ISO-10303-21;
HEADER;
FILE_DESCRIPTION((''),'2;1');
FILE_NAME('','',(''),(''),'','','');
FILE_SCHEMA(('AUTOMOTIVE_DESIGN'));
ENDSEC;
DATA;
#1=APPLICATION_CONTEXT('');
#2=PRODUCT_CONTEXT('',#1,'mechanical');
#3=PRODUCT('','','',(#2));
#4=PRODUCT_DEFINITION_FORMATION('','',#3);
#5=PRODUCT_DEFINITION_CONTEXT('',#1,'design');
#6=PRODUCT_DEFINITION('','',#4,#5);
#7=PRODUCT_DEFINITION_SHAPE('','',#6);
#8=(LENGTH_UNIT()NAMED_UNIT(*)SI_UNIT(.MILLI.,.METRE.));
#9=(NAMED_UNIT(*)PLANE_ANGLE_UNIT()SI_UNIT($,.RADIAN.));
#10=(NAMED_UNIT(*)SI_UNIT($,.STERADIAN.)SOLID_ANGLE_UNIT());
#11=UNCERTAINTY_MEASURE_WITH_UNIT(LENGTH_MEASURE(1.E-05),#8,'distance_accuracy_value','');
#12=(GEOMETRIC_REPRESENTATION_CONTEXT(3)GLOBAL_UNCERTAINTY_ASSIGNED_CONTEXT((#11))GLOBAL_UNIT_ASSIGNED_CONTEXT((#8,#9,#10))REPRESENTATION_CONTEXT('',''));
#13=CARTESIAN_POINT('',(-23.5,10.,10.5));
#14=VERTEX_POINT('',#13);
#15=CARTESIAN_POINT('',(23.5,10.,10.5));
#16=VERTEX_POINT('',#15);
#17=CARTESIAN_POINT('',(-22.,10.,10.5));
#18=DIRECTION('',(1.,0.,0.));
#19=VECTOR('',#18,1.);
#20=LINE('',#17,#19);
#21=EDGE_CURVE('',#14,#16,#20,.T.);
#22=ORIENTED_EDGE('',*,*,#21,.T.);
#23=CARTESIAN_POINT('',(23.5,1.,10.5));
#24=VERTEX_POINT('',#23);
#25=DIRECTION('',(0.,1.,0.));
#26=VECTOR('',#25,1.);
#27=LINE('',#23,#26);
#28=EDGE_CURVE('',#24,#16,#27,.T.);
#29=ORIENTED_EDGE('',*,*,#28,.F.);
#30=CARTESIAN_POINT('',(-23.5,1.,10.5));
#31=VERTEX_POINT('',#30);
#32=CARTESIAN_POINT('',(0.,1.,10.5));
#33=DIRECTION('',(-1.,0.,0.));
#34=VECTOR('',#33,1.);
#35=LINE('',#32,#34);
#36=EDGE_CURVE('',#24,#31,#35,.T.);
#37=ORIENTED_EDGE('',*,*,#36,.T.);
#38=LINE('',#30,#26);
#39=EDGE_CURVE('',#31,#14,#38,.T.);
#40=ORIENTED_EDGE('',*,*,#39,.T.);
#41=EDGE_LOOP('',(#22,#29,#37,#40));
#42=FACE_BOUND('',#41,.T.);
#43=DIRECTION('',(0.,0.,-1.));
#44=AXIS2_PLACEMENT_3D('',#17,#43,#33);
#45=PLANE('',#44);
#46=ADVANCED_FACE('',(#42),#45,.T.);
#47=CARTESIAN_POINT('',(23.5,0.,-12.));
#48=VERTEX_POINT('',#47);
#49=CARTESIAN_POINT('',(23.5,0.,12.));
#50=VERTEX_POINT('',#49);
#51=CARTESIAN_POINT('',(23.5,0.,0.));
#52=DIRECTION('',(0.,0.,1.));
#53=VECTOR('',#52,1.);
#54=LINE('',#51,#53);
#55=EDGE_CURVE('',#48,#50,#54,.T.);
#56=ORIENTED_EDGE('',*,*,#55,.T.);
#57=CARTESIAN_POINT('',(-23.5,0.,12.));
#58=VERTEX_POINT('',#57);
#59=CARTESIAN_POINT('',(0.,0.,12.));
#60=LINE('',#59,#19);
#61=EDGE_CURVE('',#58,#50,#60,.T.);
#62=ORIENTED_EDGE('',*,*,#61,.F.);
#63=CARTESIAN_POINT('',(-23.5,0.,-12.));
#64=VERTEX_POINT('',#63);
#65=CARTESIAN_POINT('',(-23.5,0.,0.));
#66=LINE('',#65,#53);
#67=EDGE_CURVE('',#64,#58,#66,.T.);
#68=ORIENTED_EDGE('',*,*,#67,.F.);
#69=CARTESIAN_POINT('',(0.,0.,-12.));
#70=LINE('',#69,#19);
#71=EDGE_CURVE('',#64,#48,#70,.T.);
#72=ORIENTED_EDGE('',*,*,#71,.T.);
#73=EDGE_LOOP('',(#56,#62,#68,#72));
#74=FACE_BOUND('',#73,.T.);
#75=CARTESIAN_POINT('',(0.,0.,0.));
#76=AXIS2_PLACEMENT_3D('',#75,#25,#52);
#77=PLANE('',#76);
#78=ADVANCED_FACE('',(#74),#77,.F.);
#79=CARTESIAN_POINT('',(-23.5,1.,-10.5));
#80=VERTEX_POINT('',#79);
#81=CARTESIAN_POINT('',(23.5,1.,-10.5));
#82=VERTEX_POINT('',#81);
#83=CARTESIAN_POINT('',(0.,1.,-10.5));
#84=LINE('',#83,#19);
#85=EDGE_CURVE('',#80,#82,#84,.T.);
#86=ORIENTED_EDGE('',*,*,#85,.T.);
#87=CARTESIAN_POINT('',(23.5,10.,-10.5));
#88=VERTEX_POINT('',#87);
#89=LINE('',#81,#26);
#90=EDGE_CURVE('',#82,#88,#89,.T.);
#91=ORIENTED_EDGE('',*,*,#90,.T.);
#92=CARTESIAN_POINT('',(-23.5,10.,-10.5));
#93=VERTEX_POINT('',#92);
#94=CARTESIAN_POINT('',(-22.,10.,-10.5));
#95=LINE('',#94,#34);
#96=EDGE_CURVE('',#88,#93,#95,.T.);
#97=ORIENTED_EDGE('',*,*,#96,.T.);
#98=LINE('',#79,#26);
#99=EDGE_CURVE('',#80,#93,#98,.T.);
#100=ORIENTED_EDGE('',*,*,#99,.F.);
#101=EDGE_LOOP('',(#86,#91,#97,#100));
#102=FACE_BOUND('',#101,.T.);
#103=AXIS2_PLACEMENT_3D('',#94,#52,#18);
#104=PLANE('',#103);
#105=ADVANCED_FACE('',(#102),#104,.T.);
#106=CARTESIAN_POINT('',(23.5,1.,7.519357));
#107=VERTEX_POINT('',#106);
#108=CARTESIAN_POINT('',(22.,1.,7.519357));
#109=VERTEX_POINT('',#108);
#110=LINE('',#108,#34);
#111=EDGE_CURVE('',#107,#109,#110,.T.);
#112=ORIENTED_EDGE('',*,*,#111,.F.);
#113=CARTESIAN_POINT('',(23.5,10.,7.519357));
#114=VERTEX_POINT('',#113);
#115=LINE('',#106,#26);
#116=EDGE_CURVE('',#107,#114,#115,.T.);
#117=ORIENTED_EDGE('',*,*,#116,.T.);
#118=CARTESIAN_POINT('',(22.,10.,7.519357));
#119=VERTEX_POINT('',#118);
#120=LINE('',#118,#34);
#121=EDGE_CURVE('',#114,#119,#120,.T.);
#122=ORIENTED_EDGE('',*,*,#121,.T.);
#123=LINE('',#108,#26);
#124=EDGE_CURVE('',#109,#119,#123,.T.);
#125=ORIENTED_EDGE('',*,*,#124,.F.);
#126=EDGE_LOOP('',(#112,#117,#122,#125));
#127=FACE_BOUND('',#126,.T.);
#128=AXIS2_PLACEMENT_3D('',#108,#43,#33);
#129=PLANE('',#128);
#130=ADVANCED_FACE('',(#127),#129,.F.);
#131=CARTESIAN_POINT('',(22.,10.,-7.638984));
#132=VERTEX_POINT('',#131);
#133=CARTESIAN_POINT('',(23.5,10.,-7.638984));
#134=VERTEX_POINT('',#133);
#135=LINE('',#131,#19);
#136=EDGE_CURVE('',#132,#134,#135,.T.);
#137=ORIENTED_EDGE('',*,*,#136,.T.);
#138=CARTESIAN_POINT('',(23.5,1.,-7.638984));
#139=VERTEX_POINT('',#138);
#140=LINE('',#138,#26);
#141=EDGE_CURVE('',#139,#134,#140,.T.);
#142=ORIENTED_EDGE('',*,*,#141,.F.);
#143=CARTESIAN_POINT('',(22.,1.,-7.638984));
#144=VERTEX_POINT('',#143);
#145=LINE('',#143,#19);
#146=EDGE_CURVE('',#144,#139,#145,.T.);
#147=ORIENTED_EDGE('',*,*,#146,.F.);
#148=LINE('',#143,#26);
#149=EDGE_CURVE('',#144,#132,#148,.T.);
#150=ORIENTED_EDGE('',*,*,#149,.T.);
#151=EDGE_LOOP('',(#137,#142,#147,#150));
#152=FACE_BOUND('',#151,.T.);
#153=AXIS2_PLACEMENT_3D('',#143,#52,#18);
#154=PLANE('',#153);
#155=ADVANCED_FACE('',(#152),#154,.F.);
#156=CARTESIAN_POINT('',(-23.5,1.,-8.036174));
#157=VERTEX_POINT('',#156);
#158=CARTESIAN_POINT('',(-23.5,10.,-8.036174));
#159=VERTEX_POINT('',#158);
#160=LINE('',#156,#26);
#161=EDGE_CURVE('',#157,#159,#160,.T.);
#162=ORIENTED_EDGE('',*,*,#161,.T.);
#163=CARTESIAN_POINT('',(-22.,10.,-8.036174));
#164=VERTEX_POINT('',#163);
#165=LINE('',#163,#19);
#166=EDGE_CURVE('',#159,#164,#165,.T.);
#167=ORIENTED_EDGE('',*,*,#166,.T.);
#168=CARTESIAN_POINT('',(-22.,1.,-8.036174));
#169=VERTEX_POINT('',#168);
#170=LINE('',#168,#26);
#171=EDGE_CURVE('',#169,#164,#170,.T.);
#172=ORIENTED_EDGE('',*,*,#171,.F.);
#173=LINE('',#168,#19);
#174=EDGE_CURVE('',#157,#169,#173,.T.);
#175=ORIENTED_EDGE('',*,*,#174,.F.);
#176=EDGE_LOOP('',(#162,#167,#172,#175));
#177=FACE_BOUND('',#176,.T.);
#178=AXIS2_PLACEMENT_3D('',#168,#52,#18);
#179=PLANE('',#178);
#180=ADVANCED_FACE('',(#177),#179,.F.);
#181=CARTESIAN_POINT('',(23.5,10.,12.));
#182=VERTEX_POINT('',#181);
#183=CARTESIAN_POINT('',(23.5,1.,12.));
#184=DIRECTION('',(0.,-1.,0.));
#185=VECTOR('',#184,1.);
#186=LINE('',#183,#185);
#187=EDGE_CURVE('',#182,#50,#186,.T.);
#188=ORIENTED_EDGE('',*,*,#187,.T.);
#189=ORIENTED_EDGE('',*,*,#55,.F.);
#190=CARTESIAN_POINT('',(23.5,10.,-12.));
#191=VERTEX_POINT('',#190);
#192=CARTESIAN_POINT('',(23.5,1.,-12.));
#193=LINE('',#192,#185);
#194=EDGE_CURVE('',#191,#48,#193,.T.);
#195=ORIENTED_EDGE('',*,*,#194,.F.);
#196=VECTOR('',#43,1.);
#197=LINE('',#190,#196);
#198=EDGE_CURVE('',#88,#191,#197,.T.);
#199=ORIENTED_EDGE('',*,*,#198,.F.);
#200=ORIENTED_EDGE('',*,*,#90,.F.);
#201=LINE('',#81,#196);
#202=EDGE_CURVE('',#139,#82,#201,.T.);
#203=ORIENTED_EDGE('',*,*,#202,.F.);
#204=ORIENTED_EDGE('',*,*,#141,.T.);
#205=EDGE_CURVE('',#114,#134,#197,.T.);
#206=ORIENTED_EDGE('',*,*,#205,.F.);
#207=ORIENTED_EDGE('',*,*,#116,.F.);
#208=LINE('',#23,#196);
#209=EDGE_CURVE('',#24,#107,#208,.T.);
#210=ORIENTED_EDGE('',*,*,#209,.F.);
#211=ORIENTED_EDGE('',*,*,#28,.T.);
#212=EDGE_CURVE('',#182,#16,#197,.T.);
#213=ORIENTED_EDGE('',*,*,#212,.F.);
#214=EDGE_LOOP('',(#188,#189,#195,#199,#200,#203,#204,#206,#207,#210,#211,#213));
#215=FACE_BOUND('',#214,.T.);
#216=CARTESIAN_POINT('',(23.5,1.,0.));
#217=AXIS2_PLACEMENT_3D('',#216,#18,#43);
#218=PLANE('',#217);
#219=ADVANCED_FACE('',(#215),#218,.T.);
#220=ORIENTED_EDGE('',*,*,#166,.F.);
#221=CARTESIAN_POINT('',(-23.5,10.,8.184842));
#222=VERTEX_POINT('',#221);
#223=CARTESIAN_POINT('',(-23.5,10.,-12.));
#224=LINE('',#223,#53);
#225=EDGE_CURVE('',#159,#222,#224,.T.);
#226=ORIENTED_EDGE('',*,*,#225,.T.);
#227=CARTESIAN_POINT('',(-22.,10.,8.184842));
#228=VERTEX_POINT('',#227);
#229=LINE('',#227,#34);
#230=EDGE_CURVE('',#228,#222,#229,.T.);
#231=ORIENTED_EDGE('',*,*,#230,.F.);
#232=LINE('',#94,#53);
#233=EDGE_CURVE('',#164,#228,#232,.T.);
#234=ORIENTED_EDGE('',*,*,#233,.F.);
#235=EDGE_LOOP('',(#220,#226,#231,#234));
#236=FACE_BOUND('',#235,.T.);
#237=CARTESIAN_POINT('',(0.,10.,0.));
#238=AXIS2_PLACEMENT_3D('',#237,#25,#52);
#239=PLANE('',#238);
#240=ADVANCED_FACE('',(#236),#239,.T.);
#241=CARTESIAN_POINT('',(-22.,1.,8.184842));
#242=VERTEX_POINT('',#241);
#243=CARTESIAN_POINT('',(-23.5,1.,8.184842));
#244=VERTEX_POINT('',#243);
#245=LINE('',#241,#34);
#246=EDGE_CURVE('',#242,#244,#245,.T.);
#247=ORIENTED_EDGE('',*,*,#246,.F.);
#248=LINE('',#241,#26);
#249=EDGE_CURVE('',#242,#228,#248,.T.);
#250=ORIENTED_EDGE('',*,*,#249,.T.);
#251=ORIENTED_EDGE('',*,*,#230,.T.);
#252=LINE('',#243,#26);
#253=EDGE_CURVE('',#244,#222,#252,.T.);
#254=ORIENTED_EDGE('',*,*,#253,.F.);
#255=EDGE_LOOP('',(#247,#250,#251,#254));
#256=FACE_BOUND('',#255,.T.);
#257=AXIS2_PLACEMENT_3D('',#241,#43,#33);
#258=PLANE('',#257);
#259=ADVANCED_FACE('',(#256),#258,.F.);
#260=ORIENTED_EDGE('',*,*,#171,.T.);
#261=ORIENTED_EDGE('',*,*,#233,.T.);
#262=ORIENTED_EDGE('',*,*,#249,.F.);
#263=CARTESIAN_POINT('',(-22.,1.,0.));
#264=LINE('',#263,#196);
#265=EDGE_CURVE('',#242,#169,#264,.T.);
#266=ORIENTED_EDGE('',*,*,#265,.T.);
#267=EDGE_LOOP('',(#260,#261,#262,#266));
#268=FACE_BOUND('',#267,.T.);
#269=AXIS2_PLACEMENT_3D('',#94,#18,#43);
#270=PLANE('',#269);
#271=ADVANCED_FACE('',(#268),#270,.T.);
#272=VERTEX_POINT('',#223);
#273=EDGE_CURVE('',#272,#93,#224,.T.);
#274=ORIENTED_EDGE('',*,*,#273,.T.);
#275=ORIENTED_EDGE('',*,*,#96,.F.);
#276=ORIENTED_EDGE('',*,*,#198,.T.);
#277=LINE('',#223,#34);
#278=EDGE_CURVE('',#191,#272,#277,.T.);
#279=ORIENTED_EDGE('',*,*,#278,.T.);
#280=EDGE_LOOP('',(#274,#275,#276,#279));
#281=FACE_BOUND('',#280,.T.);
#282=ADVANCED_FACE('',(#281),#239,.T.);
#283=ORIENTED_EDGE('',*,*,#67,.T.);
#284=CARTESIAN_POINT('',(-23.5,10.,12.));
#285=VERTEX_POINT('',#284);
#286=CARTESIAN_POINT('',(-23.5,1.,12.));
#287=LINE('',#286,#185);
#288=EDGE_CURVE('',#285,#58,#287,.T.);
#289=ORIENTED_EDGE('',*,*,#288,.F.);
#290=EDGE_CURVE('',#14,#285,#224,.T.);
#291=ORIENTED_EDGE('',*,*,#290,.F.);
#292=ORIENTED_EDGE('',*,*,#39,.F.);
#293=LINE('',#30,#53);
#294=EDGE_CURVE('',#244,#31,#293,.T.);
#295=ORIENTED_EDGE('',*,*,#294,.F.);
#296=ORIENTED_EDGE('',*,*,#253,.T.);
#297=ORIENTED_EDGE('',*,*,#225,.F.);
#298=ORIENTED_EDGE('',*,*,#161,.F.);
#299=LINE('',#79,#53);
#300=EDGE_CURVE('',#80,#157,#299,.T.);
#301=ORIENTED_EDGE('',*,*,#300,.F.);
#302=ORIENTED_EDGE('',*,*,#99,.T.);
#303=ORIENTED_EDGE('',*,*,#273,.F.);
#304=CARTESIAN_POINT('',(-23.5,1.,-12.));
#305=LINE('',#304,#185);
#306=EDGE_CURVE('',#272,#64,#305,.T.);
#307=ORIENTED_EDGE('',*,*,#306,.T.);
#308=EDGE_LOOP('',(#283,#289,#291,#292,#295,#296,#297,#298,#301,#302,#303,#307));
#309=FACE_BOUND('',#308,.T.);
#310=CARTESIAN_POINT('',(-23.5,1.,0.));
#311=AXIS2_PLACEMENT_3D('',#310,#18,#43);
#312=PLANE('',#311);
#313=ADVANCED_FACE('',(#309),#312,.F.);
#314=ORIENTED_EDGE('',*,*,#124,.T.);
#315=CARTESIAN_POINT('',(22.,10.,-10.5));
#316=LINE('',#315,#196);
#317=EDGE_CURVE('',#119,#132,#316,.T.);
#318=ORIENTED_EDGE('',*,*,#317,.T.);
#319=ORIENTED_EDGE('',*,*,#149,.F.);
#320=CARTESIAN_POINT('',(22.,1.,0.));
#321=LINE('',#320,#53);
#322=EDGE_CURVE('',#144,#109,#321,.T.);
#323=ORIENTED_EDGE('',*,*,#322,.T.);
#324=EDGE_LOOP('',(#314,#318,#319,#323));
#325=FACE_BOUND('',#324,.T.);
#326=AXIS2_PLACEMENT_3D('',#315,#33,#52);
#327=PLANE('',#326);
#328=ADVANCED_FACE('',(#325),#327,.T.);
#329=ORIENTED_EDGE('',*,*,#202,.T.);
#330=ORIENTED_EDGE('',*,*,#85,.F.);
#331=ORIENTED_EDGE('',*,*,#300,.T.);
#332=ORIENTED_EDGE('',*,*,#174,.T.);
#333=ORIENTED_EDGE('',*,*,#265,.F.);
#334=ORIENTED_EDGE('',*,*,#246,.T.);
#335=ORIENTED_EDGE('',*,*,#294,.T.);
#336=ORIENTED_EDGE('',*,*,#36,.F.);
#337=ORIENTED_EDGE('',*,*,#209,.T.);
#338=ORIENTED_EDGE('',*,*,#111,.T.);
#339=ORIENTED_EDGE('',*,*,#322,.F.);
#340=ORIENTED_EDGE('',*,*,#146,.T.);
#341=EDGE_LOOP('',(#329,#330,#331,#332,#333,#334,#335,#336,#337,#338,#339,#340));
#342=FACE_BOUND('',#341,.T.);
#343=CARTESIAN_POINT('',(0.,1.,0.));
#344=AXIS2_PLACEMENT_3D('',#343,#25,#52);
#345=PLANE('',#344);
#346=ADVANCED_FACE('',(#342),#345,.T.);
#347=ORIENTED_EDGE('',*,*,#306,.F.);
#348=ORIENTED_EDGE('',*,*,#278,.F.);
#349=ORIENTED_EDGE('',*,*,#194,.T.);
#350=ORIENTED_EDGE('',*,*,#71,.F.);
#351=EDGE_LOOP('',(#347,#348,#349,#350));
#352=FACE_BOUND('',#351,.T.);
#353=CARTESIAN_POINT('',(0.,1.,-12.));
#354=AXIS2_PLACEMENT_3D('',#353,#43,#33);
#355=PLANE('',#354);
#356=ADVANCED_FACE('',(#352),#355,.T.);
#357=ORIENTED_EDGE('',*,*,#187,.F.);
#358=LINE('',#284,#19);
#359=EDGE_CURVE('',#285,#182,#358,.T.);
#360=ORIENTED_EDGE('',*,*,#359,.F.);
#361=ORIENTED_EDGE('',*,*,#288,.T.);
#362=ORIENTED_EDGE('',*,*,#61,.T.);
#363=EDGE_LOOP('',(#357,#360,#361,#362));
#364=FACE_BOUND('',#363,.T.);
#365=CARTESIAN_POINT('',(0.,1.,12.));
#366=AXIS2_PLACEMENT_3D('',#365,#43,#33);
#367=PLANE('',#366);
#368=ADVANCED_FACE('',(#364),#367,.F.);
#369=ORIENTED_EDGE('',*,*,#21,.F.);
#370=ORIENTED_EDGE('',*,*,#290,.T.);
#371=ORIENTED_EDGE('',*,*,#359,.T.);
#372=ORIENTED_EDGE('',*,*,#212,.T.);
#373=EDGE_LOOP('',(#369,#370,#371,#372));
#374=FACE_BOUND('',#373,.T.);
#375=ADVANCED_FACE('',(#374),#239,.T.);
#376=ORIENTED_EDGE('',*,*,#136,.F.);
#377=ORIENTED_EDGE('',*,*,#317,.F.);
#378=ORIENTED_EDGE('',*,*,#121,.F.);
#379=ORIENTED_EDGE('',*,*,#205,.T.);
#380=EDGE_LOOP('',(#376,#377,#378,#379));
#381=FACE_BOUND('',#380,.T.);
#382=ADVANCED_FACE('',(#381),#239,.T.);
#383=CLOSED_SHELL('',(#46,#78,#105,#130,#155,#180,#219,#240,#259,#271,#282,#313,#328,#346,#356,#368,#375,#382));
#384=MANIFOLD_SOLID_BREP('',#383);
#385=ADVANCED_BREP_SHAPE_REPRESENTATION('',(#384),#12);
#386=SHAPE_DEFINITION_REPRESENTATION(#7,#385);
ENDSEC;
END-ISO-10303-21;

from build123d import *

# Parameters (mm, degrees)
SKETCH1_W           = 47
SKETCH1_H           = 24
SKETCH1_W_2         = 44
SKETCH1_H_2         = 21
BOSS_EXTRUDE1_DEPTH = 1
SKETCH1_3_W         = 47
SKETCH1_3_H         = 24
SKETCH1_3_W_2       = 44
SKETCH1_3_H_2       = 21
BOSS_EXTRUDE2_DEPTH = 10
SKETCH2_W           = 1.5
SKETCH2_H           = 2.861016429
SKETCH2_H_2         = 2.980642968
SKETCH2_H_3         = 2.463825615
SKETCH2_H_4         = 2.315157892
CUT_EXTRUDE1_DEPTH  = 9


with BuildPart() as part:
    # Sketch1 → Boss-Extrude1 (new body)
    with BuildSketch(Plane(origin=(0, 0, 0), x_dir=(1, 0, 0), z_dir=(0, 1, 0))):
        Rectangle(SKETCH1_W, SKETCH1_H)
        Rectangle(SKETCH1_W_2, SKETCH1_H_2, mode=Mode.SUBTRACT)
        Rectangle(SKETCH1_W_2, SKETCH1_H_2)
    extrude(amount=BOSS_EXTRUDE1_DEPTH)

    # Sketch1<3> → Boss-Extrude2 (add)
    with BuildSketch(Plane(origin=(0, 0, 0), x_dir=(1, 0, 0), z_dir=(0, 1, 0))):
        Rectangle(SKETCH1_3_W, SKETCH1_3_H)
        Rectangle(SKETCH1_3_W_2, SKETCH1_3_H_2, mode=Mode.SUBTRACT)
    extrude(amount=BOSS_EXTRUDE2_DEPTH)

    # Sketch2 → Cut-Extrude1 (cut)
    with BuildSketch(Plane(origin=(0, 10, 0), x_dir=(1, 0, 0), z_dir=(0, 1, 0))):
        with Locations((22.75, 9.069491786)):
            Rectangle(SKETCH2_W, SKETCH2_H)
        with Locations((22.75, -9.009678516)):
            Rectangle(SKETCH2_W, SKETCH2_H_2)
        with Locations((-22.75, 9.268087193)):
            Rectangle(SKETCH2_W, SKETCH2_H_3)
        with Locations((-22.75, -9.342421054)):
            Rectangle(SKETCH2_W, SKETCH2_H_4)
    extrude(amount=-CUT_EXTRUDE1_DEPTH, mode=Mode.SUBTRACT)


solid = part.part
